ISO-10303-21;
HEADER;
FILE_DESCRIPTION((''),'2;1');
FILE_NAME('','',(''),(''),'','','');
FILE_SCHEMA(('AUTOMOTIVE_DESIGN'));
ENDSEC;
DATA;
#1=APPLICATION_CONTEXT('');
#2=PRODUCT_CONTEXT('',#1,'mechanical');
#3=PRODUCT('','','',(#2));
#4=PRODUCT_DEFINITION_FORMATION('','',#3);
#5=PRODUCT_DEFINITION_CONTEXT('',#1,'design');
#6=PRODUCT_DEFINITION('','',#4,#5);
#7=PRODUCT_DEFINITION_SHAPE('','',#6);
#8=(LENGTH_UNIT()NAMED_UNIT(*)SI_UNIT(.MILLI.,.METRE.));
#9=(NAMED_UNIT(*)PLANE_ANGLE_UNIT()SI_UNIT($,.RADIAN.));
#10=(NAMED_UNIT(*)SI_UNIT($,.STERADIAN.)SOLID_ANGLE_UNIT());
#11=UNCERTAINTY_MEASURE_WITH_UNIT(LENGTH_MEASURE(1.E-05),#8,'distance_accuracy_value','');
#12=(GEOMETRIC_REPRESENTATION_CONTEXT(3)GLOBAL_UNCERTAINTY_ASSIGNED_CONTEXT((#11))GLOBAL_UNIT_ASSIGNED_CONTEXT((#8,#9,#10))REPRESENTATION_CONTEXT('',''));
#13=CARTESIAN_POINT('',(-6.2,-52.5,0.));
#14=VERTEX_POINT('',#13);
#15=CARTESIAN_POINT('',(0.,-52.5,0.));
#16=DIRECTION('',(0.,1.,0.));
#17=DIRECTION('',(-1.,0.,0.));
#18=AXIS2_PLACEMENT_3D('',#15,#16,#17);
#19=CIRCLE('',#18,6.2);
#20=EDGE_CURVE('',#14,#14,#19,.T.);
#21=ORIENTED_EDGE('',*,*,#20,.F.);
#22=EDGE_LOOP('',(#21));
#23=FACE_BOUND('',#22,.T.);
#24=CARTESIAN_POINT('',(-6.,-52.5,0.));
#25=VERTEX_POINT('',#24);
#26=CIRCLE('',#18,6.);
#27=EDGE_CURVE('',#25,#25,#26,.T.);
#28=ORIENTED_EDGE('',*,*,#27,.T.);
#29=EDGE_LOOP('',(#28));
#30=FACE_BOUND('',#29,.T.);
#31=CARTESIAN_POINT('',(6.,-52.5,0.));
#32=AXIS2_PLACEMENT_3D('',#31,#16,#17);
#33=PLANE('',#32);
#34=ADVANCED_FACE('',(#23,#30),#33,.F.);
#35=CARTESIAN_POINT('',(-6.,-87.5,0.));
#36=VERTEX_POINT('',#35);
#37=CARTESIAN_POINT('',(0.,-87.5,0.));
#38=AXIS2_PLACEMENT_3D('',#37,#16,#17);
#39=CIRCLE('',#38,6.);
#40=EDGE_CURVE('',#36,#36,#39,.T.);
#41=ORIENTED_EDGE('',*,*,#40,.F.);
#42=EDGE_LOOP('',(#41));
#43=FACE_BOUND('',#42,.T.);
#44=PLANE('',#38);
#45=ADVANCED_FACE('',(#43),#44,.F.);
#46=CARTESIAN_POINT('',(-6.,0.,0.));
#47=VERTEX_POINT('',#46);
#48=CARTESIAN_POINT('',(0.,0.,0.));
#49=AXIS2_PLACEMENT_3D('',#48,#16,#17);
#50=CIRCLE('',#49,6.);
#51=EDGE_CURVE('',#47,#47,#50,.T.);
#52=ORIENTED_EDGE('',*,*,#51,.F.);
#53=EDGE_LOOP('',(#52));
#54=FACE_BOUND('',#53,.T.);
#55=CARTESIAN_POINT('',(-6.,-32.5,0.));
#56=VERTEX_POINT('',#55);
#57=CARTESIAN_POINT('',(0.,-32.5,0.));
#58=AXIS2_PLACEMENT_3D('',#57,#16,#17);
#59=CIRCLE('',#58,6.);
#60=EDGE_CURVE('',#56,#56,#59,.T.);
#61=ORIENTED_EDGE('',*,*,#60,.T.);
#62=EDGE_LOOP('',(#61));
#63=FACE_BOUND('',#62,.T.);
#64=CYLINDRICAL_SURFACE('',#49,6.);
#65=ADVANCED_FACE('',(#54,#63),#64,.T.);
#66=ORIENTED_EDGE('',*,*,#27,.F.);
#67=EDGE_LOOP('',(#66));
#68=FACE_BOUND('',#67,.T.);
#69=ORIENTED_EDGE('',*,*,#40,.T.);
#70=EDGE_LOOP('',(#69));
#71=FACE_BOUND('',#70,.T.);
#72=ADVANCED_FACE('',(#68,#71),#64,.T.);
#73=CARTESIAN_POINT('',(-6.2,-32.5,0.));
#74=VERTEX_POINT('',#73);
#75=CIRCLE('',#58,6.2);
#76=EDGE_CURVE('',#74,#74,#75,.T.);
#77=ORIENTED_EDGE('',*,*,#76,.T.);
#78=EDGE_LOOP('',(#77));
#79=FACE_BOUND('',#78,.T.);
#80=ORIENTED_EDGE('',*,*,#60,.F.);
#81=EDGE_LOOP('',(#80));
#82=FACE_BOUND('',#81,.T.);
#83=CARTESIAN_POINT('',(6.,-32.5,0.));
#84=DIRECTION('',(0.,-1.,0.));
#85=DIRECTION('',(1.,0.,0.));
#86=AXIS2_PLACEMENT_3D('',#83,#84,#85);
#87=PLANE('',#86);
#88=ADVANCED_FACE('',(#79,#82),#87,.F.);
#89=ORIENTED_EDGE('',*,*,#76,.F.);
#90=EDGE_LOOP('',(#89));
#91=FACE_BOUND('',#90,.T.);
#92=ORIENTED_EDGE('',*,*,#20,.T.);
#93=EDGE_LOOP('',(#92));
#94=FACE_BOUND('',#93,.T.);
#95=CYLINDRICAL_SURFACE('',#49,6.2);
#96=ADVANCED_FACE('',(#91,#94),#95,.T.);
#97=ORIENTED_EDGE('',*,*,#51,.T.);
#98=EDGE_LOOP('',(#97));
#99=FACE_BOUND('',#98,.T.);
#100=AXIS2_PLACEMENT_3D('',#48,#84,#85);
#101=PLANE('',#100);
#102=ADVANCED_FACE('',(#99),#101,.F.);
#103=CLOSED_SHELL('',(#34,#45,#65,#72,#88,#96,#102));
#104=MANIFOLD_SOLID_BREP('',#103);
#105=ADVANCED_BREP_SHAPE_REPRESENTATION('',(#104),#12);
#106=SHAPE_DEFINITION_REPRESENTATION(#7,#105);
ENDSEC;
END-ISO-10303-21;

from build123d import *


with BuildPart() as part:
    # Sketch1 → Revolve4 (revolve)
    with BuildSketch(Plane.XY):
        Polygon((0, 0), (0, -52.5), (0, -87.5), (6, -87.5), (6, -52.5), (6.2, -52.5), (6.2, -32.5), (6, -32.5), (6, -30), (6, 0), align=None)
    revolve(axis=Axis((0, 0, 0), (0, -1, 0)))


solid = part.part
